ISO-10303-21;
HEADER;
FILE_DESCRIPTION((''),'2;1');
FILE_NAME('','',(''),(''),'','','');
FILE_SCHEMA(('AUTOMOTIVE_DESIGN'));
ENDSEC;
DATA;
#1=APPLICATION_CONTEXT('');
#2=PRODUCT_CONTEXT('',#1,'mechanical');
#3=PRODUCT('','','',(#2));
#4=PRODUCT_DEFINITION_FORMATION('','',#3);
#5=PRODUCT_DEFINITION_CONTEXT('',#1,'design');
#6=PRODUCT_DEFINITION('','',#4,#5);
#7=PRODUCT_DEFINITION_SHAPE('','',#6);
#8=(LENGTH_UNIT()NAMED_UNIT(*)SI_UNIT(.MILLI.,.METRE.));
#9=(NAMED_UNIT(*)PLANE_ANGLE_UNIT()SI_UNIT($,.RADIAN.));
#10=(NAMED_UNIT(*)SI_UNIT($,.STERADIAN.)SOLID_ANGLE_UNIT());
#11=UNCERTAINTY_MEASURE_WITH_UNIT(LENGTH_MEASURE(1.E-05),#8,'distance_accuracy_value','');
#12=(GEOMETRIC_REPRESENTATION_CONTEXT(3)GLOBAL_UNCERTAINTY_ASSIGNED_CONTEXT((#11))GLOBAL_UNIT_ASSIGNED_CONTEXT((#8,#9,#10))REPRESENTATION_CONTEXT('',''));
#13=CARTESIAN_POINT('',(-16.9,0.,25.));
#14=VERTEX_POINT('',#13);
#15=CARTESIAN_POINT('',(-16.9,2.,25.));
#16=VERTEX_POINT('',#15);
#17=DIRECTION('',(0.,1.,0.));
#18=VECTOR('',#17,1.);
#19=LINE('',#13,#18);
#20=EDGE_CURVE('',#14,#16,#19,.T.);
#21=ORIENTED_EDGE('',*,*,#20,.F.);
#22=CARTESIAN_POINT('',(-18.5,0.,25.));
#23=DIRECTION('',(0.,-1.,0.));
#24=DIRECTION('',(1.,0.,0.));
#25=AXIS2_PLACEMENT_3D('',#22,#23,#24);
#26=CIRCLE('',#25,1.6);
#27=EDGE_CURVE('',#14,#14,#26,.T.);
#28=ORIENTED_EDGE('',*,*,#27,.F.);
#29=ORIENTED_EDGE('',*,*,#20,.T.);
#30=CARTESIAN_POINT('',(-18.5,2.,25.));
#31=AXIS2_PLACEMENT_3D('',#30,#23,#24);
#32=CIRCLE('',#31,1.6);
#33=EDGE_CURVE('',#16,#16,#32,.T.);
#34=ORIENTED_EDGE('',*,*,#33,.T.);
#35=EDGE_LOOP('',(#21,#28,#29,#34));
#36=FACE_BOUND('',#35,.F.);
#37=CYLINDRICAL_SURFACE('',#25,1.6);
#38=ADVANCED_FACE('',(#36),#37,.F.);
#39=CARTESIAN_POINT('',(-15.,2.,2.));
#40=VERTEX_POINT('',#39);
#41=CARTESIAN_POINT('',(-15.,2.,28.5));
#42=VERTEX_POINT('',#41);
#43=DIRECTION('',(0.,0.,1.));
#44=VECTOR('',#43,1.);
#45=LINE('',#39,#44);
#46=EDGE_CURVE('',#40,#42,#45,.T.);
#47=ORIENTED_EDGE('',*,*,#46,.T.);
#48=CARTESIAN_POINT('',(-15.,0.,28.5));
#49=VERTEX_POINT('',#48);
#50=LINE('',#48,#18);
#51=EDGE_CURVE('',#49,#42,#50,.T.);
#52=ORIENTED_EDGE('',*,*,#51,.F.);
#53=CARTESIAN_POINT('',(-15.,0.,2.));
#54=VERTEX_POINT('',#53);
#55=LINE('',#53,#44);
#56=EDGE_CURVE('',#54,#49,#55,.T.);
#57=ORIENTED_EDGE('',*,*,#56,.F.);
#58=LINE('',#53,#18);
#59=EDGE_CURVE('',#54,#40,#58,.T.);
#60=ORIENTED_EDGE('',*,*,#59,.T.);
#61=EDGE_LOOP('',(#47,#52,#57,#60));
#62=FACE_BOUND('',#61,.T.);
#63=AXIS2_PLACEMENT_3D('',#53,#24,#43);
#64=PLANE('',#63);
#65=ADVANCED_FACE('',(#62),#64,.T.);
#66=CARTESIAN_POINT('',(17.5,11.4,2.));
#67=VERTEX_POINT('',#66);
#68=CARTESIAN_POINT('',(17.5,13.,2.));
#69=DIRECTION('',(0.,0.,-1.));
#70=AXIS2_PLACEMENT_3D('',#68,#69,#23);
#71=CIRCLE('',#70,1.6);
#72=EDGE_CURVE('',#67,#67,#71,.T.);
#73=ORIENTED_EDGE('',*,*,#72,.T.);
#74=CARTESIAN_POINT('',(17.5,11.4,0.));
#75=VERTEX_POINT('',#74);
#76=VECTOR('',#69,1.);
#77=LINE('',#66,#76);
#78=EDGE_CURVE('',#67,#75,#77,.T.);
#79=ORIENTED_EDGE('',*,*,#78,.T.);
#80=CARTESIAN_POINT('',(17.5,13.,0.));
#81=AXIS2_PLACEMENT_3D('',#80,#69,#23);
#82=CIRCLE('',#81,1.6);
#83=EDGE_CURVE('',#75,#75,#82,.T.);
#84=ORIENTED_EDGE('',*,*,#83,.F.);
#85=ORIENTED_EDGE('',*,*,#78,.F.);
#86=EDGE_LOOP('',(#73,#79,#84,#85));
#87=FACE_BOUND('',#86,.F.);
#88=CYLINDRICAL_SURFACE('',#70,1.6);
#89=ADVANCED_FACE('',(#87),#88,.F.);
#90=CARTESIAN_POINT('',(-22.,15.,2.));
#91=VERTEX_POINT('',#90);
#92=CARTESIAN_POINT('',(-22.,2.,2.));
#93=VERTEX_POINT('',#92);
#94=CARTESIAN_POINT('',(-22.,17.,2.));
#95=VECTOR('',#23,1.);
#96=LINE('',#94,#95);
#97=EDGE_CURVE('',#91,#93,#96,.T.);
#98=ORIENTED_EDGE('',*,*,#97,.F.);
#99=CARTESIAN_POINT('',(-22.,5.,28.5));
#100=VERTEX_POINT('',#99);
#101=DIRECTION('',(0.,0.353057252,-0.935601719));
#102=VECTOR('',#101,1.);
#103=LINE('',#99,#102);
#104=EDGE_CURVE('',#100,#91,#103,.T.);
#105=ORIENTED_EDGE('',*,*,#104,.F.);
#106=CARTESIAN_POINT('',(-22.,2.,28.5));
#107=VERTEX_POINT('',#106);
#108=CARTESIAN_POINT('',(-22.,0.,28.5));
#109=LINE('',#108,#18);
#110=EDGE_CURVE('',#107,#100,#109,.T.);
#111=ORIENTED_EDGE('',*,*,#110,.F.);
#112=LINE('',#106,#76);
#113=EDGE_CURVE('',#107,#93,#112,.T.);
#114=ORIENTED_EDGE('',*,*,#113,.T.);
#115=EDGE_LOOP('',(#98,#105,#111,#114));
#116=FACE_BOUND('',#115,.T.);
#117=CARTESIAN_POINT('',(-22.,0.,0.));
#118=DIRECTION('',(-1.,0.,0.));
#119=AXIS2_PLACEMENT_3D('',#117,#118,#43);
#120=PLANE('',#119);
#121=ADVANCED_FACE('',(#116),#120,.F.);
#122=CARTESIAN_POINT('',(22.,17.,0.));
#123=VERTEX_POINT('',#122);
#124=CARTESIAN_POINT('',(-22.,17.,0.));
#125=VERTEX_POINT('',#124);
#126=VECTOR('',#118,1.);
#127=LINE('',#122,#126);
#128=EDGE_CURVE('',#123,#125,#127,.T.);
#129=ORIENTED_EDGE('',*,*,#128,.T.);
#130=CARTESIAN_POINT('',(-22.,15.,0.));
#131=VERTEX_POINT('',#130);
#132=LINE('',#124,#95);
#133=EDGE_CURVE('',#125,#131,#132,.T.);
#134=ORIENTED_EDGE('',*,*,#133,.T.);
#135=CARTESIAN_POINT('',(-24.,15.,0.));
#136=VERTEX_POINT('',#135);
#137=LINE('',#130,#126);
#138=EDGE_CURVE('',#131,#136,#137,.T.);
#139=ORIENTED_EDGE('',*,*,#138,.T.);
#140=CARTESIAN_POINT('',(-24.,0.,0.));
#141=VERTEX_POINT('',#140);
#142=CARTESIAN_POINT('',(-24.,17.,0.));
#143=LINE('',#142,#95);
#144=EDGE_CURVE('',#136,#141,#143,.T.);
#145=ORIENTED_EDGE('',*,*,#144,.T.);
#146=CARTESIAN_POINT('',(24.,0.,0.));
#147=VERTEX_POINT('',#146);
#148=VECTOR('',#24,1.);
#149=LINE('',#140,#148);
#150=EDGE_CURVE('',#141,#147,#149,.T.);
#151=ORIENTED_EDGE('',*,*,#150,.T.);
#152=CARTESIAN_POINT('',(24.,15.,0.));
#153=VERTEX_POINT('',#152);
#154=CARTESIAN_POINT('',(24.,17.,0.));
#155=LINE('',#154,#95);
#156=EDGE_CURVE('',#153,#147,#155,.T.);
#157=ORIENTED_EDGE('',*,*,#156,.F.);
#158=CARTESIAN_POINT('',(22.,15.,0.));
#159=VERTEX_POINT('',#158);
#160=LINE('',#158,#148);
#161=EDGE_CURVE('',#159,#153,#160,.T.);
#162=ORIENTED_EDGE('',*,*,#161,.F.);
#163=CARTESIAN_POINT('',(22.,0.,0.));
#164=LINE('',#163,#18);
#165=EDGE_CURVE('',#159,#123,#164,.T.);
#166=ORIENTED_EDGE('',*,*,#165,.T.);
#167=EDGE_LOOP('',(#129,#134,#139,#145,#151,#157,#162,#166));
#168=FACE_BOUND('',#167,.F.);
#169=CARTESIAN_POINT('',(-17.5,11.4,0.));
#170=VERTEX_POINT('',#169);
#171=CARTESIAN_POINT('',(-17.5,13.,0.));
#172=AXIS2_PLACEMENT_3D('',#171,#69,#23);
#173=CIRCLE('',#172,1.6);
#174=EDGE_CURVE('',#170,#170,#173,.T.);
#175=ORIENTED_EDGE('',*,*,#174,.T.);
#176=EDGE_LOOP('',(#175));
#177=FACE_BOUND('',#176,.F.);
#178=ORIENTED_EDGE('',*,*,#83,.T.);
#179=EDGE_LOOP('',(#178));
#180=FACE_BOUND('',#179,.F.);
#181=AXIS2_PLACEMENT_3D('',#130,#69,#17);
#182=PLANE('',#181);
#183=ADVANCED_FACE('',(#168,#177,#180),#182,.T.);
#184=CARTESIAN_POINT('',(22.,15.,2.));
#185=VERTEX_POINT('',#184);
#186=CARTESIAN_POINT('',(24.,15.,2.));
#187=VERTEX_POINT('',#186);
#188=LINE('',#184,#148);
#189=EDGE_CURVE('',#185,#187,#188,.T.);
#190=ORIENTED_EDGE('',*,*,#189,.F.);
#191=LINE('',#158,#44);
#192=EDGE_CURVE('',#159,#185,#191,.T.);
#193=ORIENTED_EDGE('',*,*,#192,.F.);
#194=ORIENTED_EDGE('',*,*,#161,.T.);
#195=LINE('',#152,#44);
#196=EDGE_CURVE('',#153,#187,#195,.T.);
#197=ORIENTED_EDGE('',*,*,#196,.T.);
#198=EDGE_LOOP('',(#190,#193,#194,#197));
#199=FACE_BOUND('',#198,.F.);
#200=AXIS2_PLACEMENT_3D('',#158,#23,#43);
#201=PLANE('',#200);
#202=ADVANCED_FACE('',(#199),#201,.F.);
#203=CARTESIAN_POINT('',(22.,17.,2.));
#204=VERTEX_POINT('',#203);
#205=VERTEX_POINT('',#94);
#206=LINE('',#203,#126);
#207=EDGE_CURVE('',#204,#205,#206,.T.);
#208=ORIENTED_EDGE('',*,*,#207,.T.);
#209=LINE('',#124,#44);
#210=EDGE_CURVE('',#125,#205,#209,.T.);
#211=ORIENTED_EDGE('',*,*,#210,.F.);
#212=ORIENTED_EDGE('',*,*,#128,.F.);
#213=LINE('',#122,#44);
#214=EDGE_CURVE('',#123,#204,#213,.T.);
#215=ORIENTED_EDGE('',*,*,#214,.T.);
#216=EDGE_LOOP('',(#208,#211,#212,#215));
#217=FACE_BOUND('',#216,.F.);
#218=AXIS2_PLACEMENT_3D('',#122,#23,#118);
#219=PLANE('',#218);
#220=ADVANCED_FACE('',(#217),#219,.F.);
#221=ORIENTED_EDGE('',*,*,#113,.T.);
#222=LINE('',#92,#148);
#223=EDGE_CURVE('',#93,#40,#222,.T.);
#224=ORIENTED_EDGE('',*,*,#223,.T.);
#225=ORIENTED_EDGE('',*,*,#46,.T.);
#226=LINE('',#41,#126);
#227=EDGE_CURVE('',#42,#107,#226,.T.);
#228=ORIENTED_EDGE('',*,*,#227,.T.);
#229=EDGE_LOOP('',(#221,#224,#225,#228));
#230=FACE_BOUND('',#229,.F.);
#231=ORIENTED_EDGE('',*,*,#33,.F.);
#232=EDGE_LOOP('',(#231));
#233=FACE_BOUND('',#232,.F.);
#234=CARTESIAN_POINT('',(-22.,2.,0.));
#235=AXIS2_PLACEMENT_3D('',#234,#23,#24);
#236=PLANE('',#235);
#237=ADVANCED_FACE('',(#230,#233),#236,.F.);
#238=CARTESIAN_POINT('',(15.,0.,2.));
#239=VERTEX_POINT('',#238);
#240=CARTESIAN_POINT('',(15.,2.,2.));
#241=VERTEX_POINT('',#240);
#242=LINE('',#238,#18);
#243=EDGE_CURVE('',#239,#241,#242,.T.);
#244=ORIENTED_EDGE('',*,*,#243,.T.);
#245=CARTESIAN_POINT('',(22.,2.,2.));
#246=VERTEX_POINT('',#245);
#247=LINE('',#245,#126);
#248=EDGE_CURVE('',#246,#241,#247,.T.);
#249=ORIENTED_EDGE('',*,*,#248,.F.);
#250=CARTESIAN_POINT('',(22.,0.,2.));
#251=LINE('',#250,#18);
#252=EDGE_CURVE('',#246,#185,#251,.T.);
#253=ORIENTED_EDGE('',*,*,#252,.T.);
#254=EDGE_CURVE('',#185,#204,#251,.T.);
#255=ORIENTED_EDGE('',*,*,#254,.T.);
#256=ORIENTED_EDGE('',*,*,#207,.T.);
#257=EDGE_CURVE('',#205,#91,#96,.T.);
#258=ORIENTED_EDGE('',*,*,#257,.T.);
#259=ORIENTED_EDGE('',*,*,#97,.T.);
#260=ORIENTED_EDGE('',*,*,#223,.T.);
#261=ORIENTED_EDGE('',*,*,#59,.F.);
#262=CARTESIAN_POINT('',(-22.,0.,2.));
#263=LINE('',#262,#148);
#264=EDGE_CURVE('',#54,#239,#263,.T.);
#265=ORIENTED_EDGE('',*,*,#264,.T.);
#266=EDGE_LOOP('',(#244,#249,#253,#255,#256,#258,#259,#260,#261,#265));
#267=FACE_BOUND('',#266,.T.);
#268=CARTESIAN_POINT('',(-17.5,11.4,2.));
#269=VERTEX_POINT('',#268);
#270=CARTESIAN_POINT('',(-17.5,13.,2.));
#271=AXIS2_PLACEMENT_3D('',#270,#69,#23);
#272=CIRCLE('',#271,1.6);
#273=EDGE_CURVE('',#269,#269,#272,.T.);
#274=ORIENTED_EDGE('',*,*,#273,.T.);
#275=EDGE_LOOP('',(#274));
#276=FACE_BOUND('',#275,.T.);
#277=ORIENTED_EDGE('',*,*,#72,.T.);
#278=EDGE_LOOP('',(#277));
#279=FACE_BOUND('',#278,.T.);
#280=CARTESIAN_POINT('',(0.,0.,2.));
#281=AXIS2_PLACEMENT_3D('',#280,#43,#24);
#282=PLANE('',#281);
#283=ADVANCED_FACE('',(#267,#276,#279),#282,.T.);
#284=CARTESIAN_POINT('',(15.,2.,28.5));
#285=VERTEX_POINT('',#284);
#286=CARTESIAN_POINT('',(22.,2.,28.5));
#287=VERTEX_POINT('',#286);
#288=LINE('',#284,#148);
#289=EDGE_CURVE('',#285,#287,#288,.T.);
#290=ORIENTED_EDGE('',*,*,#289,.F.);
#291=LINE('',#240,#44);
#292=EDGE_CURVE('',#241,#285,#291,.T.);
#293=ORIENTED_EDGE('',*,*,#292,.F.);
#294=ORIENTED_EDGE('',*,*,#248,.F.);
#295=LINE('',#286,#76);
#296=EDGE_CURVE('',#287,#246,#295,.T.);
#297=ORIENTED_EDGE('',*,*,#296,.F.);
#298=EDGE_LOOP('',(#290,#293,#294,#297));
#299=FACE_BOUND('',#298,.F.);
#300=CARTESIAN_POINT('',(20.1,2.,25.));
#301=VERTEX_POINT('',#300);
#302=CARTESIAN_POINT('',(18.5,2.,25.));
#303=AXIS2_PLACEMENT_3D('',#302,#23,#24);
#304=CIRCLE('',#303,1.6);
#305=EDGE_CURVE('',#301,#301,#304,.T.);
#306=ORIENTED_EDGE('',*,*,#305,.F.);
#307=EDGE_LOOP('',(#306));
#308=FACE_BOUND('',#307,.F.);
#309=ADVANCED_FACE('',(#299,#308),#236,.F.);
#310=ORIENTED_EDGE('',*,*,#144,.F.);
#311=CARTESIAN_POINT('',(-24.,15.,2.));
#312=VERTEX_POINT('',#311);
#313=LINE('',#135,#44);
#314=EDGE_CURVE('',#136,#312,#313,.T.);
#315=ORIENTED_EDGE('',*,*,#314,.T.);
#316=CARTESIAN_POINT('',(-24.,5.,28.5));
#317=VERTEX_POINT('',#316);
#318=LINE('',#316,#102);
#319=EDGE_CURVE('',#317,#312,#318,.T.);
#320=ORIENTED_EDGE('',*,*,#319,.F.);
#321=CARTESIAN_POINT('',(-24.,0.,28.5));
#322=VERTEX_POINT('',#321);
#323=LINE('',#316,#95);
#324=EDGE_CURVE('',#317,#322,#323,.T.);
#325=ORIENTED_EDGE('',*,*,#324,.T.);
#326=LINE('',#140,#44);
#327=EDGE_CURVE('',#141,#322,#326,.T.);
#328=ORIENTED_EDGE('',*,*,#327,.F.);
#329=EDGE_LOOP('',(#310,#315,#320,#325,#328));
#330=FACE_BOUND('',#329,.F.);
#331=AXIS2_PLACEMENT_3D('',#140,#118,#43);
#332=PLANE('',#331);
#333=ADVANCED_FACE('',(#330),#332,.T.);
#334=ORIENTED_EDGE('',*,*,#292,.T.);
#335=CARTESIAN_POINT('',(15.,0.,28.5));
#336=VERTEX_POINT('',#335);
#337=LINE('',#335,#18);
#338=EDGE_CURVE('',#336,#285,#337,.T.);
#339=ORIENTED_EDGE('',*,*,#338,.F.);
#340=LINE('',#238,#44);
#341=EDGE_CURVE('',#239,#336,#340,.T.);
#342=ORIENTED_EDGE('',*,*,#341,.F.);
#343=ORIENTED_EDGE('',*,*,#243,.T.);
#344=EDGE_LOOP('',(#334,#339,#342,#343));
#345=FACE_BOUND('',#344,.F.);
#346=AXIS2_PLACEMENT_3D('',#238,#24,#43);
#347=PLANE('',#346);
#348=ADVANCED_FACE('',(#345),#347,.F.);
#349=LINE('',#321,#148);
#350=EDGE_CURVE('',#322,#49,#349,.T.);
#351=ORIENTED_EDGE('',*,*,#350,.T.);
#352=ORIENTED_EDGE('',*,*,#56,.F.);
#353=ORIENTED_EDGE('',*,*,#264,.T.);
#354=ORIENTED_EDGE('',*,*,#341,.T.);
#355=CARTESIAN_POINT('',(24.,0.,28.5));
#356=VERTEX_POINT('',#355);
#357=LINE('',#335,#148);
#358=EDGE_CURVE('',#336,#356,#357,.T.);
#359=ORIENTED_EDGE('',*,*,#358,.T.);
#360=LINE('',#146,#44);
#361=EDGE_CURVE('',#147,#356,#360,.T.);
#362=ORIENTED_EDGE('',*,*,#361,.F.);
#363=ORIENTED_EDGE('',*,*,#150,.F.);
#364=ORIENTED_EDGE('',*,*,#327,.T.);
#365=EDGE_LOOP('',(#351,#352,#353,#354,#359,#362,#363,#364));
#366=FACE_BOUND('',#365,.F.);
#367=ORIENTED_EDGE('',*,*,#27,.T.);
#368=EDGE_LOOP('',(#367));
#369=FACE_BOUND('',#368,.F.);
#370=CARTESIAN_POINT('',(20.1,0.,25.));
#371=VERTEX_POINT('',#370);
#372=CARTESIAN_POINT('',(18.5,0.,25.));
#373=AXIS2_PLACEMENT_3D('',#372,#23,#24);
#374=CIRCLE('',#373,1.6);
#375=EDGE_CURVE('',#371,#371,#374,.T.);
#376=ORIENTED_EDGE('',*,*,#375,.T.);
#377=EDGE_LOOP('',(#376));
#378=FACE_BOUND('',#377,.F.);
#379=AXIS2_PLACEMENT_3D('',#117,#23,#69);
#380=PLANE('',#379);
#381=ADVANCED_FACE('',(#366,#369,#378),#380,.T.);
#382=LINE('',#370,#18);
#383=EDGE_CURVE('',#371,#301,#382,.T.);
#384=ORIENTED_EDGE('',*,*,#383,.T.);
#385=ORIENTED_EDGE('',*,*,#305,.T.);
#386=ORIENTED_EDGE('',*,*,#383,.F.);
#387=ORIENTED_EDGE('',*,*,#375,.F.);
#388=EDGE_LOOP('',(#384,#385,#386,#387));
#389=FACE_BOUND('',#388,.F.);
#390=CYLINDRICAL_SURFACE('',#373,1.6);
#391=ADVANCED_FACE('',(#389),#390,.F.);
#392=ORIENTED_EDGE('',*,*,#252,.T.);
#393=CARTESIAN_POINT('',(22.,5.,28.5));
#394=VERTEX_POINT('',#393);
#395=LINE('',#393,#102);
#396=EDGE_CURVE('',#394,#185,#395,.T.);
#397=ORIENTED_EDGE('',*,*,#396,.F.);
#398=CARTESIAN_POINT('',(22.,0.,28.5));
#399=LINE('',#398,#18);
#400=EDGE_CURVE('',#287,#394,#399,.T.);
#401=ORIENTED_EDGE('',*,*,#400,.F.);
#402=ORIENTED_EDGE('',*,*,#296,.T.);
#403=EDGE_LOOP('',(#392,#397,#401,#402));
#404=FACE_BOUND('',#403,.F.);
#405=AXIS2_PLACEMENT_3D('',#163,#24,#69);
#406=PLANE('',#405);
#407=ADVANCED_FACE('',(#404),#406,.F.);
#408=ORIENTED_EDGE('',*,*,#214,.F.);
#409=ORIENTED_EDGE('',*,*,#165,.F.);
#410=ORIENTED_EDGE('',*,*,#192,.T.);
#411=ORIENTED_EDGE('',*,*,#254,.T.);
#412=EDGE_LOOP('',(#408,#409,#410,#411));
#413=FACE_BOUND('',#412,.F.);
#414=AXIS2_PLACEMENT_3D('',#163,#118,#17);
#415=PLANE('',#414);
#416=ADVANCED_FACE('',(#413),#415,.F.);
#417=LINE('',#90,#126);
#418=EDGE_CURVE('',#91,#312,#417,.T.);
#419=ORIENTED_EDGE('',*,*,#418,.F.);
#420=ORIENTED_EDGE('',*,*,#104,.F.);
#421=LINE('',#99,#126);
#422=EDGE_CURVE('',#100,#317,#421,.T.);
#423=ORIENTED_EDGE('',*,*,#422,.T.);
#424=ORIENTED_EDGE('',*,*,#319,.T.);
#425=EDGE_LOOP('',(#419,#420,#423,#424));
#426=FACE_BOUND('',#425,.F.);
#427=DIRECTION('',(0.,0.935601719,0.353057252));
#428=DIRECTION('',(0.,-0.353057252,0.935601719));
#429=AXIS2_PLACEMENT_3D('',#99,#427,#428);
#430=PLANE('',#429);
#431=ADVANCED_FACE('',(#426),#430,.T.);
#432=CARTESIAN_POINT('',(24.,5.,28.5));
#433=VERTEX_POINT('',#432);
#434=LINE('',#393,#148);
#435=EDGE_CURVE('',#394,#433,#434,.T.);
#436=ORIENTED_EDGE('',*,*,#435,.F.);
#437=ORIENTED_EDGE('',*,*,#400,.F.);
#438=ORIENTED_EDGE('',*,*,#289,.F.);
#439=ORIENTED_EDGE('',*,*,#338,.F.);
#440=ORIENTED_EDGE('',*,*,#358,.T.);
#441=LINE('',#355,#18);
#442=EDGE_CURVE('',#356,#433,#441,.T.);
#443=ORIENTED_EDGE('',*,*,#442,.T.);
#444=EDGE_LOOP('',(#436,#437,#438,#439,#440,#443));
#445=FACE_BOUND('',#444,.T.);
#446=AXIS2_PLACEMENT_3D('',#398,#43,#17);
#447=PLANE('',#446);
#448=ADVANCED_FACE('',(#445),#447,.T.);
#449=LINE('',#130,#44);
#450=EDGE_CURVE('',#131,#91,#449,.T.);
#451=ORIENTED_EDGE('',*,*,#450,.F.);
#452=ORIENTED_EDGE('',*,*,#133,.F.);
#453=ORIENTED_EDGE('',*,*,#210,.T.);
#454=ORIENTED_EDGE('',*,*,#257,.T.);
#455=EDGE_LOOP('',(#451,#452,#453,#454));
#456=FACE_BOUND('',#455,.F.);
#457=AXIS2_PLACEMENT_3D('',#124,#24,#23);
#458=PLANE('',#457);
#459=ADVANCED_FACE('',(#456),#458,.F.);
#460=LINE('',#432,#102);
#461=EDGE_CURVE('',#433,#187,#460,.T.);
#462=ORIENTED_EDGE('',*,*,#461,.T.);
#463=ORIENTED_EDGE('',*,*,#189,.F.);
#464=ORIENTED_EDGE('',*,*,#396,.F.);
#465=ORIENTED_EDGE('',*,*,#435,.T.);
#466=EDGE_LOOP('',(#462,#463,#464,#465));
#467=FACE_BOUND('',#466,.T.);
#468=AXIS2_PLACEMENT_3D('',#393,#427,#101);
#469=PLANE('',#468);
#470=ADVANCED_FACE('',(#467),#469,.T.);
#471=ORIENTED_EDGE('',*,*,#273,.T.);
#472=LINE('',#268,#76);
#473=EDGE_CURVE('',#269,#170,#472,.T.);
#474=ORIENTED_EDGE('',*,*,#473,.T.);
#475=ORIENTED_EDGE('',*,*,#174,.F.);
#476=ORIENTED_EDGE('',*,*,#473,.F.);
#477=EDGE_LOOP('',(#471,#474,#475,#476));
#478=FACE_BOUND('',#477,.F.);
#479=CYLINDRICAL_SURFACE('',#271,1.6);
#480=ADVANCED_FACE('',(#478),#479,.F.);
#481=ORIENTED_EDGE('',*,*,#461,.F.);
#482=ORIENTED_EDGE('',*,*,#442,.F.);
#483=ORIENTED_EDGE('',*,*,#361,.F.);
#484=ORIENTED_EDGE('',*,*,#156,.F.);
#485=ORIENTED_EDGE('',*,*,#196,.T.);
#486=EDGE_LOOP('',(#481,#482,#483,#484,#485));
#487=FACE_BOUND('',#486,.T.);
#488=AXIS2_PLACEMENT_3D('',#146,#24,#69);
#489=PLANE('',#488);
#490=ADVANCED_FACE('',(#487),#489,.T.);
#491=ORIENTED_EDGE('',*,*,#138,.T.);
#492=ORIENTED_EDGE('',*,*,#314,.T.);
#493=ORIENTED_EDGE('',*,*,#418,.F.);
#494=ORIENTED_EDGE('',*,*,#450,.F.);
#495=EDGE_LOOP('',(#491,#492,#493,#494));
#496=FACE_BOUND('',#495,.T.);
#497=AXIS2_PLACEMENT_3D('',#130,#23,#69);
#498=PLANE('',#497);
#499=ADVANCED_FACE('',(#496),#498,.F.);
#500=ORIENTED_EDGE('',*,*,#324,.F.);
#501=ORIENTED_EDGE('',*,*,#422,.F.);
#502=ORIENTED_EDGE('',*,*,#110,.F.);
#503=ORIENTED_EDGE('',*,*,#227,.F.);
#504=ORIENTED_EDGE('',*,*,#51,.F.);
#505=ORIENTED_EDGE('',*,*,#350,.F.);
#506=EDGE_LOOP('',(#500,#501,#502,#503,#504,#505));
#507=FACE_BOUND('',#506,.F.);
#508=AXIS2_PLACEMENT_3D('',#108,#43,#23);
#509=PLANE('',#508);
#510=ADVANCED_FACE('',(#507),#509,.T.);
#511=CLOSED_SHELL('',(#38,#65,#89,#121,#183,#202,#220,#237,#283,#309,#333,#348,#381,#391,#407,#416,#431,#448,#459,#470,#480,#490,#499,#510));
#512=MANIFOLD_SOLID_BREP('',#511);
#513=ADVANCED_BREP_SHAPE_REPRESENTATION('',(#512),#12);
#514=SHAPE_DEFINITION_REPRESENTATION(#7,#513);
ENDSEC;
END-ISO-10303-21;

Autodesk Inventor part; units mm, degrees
ref_plane "YZ Plane" through (0, 0, 0) normal (1, 0, 0) x (0, 1, 0)
ref_plane "XZ Plane" through (0, 0, 0) normal (0, 1, 0) x (-1, 0, 0)
ref_plane "XY Plane" through (0, 0, 0) normal (0, 0, 1) x (1, 0, 0)
sketch "スケッチ1" plane through (0, 0, 0) normal (0, 0, 1) x (1, 0, 0)
  line L0 (-22, 0) -> (22, 0)
  line L1 (22, 0) -> (22, 17)
  line L2 (22, 17) -> (-22, 17)
  line L3 (-22, 17) -> (-22, 0)
  point P0 (0, 0)
  point P1 (0, 0)
  dimension "d0" = 44
  dimension "d1" = 17
extrude "土台" add sketch "スケッチ1" along normal blind 2
sketch "スケッチ2" plane through (-22, 0, 0) normal (0, -1, 0) x (1, 0, 0)
  line L0 (22, 0) -> (22, 53.3234) construction
  circle A0 centre (22, 25) radius 15 construction
  line L1 (0, 2) -> (44, 2) construction
  line L2 (-7.4711, 25) -> (51.4711, 25) construction
  circle A1 centre (3.5, 25) radius 1.6
  circle A2 centre (40.5, 25) radius 1.6
  line L3 (0, 2) -> (7, 2)
  line L4 (7, 2) -> (7, 28.5)
  line L5 (7, 28.5) -> (0, 28.5)
  line L6 (0, 28.5) -> (0, 2)
  line L7 (44, 2) -> (37, 2)
  line L8 (37, 2) -> (37, 28.5)
  line L9 (37, 28.5) -> (44, 28.5)
  line L10 (44, 28.5) -> (44, 2)
  dimension "d4" = 30
  dimension "d5" = 23
  dimension "d6" = 3.2
  dimension "d7" = 37
  dimension "d8" = 3.5
extrude "モータ支柱" add sketch "スケッチ2" against normal blind 2
sketch "スケッチ3" plane through (22, 0, 0) normal (1, 0, 0) x (0, 0, -1)
  line L0 (-28.5, 0) -> (-28.5, 2) projected
  line L1 (-28.5, 0) -> (-28.5, 5)
  line L2 (-28.5, 5) -> (-2, 15)
  line L3 (-2, 17) -> (-2, 2) projected
  line L4 (0, 17) -> (0, 0) projected
  line L5 (0, 15) -> (-2, 15)
  line L6 (0, 0) -> (-28.5, 0) projected
  dimension "d11" = 5
  dimension "d12" = 15
extrude "補強リブ" add sketch "スケッチ3" along normal blind 2
mirror "ミラー1" about plane through (0, 0, 0) normal (1, 0, 0) of "補強リブ"
sketch "スケッチ4" plane through (0, 0, 2) normal (0, 0, 1) x (1, 0, 0)
  line L0 (0, 0) -> (0, 42.8792) construction
  line L1 (-15, 0) -> (15, 0) construction
  line L2 (22, 17) -> (-22, 17) projected
  point P0 (-17.5, 13)
  point P1 (17.5, 13)
  point P2 (0, 0)
  dimension "d15" = 35
  dimension "d24" = 4
hole "穴1" at (-17.5, 13, 2) at (17.5, 13, 2) direction (0, 0, -1) diameter 3.2 end through all
properties part number "SPG27_Braket"
